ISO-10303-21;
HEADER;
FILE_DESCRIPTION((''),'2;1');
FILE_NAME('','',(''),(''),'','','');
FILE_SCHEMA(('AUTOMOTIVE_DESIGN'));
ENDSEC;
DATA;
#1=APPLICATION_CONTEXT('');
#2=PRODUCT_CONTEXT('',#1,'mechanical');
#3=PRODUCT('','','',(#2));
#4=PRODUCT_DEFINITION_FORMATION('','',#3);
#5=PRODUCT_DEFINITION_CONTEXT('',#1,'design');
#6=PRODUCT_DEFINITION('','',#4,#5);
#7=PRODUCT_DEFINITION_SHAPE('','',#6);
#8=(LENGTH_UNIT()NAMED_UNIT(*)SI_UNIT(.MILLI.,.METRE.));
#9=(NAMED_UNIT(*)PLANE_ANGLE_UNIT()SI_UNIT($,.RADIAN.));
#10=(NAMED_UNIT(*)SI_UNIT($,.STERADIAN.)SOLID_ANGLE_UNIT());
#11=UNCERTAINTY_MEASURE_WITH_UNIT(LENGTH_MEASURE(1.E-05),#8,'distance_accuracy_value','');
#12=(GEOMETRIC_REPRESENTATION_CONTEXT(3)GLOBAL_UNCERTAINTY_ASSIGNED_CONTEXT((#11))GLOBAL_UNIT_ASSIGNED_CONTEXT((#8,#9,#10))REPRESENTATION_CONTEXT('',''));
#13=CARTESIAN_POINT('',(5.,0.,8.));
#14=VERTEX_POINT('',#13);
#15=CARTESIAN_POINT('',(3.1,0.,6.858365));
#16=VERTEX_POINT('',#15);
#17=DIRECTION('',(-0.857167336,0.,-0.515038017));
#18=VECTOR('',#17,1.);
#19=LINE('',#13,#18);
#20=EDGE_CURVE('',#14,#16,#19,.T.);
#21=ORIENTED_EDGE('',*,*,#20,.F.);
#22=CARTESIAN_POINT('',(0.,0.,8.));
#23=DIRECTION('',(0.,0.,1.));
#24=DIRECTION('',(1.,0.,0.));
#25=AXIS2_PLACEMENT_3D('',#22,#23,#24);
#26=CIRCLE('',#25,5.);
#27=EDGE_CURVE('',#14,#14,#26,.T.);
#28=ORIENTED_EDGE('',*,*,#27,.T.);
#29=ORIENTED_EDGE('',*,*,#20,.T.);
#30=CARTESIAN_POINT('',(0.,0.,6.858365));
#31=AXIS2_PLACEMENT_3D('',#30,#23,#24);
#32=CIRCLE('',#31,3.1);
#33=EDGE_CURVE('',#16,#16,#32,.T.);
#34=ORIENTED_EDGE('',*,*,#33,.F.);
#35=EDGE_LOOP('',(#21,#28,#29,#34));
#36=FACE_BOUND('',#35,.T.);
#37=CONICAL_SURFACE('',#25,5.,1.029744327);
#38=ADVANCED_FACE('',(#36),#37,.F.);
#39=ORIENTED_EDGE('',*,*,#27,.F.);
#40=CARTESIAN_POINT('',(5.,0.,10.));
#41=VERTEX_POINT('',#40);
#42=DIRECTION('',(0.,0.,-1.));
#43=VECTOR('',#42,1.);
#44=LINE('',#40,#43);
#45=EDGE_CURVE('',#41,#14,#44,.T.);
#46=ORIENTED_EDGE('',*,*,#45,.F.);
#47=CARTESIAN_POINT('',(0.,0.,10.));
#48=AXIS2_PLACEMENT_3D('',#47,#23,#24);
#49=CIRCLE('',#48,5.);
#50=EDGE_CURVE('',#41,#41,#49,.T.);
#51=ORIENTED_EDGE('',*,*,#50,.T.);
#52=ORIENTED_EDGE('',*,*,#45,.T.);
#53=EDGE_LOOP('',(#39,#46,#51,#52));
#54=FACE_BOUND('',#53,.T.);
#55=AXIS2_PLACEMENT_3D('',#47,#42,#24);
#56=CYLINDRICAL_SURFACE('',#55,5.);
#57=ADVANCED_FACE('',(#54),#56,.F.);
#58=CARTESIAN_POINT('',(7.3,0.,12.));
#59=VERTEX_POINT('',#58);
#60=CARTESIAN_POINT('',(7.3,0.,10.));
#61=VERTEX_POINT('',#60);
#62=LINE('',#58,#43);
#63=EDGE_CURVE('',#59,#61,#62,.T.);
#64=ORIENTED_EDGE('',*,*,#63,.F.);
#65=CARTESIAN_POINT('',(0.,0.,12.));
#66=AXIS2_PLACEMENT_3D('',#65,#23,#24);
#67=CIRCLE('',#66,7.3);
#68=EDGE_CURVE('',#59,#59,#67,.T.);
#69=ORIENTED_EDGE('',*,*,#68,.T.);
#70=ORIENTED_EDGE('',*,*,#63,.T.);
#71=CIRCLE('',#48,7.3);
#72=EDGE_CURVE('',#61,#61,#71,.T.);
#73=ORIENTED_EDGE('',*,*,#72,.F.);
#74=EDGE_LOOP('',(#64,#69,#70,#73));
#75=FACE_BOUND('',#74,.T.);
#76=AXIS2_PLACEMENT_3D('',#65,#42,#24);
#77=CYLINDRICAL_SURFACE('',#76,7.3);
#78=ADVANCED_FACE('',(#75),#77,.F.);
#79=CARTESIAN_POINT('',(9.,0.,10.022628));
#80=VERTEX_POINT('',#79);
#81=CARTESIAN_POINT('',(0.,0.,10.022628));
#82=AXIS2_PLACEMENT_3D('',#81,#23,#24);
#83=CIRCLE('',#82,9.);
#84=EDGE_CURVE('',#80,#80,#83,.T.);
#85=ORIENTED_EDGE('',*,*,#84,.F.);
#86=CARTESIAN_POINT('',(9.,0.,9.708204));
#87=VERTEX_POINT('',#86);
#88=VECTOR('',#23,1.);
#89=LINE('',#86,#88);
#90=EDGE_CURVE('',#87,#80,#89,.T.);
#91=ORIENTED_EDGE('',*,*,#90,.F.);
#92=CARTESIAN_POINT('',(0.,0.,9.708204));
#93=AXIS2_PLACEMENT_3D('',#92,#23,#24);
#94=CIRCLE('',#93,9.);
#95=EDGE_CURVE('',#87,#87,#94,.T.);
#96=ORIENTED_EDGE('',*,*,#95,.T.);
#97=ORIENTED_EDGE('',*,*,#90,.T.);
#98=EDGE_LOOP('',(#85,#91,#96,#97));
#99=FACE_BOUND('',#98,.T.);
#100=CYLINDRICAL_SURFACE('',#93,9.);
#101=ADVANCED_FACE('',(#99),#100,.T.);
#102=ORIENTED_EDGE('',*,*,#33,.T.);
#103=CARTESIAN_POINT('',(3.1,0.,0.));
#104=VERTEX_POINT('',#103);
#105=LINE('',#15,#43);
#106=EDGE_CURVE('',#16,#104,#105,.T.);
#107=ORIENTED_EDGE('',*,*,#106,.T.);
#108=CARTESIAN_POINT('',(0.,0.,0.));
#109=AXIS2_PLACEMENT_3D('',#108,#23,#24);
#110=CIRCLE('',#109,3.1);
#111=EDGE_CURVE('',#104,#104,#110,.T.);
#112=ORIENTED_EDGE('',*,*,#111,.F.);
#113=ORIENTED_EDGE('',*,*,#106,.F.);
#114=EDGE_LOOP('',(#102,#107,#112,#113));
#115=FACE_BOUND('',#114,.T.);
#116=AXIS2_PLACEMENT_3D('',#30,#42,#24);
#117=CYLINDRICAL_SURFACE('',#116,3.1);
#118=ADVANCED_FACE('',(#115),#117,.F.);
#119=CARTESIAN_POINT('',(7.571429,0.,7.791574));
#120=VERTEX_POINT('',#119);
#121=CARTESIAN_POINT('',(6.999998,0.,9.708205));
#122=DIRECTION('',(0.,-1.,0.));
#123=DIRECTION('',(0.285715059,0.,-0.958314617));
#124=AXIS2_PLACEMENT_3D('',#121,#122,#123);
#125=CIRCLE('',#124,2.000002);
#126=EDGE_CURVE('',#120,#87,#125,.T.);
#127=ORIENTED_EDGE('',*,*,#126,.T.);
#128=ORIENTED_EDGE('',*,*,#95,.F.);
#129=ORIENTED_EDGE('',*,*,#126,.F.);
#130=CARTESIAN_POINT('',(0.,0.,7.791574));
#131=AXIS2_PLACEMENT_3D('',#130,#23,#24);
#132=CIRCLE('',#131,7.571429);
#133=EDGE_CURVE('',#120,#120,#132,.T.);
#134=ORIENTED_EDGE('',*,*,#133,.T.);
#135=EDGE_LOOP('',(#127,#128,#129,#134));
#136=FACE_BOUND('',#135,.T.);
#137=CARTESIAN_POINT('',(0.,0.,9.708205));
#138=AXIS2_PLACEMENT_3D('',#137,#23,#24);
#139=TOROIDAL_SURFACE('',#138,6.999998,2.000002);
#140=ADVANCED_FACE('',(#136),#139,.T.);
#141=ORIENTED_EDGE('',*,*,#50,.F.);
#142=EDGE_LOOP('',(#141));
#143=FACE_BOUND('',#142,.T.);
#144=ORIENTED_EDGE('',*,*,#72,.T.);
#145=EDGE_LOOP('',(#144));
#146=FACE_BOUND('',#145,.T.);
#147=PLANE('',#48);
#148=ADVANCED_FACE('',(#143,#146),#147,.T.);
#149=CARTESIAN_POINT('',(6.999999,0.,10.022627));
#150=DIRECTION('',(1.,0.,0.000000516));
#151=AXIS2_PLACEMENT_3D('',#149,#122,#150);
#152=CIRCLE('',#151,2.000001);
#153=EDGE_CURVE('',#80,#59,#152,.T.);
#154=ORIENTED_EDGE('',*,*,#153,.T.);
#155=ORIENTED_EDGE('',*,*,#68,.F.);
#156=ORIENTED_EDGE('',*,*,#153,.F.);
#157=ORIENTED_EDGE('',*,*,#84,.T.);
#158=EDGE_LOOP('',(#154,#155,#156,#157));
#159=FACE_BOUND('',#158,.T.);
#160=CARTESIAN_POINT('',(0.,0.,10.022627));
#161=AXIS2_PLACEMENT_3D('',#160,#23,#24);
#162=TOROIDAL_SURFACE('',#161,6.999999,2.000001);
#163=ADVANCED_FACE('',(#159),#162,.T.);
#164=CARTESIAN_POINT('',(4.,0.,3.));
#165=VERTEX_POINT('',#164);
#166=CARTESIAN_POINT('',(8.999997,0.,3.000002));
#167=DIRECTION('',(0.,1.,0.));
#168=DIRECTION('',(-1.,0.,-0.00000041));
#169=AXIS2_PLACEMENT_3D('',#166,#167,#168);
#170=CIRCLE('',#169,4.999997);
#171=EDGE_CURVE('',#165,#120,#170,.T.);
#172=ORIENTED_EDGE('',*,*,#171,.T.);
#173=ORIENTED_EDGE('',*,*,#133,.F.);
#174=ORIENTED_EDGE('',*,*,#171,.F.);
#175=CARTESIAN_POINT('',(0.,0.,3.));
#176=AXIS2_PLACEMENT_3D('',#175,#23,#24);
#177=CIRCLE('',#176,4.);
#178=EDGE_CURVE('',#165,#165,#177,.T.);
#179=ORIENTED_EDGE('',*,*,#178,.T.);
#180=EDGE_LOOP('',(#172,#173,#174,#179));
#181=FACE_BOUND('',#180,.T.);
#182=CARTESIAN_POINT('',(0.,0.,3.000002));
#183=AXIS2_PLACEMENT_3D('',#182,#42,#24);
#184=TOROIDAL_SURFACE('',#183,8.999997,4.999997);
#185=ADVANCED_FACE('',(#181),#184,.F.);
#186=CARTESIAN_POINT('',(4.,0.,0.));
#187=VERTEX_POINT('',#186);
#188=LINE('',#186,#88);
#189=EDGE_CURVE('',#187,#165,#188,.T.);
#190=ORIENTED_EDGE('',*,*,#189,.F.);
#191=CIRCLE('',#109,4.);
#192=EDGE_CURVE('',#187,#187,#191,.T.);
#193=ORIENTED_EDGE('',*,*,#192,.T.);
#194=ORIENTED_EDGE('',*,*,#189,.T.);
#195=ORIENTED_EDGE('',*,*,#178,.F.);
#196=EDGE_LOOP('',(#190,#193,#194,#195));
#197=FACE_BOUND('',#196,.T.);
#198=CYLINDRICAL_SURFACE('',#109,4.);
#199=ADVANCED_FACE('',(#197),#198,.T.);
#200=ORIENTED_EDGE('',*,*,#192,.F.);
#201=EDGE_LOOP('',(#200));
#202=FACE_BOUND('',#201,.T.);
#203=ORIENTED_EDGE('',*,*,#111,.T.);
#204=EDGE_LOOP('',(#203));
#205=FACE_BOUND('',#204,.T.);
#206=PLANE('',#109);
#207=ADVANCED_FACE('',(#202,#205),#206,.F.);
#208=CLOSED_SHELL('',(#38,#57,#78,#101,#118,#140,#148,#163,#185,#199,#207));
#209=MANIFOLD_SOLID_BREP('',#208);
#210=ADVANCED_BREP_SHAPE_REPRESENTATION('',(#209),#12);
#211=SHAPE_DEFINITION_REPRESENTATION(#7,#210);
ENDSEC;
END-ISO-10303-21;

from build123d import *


with BuildPart() as f1:
    # F0 (on Front) → F1 (revolve)
    with BuildSketch(Plane.XZ):
        with BuildLine():
            Line((9, 9.708204), (9, 10.022628))
            ThreePointArc((9, 10.022628), (8.516575, 11.326468), (7.3, 12))
            Line((7.3, 12), (7.3, 10))
            Line((7.3, 10), (5, 10))
            Line((5, 10), (5, 8))
            Line((5, 8), (3.1, 6.858365))
            Line((3.1, 6.858365), (3.1, 0))
            Line((3.1, 0), (4, 0))
            Line((4, 0), (4, 3))
            ThreePointArc((4, 3), (4.991081, 5.988072), (7.571429, 7.791574))
            ThreePointArc((7.571429, 7.791574), (8.603567, 8.512975), (9, 9.708204))
        make_face()
    revolve(axis=Axis((0, 0, 6), (0, 0, 1)))


solid = f1.part
